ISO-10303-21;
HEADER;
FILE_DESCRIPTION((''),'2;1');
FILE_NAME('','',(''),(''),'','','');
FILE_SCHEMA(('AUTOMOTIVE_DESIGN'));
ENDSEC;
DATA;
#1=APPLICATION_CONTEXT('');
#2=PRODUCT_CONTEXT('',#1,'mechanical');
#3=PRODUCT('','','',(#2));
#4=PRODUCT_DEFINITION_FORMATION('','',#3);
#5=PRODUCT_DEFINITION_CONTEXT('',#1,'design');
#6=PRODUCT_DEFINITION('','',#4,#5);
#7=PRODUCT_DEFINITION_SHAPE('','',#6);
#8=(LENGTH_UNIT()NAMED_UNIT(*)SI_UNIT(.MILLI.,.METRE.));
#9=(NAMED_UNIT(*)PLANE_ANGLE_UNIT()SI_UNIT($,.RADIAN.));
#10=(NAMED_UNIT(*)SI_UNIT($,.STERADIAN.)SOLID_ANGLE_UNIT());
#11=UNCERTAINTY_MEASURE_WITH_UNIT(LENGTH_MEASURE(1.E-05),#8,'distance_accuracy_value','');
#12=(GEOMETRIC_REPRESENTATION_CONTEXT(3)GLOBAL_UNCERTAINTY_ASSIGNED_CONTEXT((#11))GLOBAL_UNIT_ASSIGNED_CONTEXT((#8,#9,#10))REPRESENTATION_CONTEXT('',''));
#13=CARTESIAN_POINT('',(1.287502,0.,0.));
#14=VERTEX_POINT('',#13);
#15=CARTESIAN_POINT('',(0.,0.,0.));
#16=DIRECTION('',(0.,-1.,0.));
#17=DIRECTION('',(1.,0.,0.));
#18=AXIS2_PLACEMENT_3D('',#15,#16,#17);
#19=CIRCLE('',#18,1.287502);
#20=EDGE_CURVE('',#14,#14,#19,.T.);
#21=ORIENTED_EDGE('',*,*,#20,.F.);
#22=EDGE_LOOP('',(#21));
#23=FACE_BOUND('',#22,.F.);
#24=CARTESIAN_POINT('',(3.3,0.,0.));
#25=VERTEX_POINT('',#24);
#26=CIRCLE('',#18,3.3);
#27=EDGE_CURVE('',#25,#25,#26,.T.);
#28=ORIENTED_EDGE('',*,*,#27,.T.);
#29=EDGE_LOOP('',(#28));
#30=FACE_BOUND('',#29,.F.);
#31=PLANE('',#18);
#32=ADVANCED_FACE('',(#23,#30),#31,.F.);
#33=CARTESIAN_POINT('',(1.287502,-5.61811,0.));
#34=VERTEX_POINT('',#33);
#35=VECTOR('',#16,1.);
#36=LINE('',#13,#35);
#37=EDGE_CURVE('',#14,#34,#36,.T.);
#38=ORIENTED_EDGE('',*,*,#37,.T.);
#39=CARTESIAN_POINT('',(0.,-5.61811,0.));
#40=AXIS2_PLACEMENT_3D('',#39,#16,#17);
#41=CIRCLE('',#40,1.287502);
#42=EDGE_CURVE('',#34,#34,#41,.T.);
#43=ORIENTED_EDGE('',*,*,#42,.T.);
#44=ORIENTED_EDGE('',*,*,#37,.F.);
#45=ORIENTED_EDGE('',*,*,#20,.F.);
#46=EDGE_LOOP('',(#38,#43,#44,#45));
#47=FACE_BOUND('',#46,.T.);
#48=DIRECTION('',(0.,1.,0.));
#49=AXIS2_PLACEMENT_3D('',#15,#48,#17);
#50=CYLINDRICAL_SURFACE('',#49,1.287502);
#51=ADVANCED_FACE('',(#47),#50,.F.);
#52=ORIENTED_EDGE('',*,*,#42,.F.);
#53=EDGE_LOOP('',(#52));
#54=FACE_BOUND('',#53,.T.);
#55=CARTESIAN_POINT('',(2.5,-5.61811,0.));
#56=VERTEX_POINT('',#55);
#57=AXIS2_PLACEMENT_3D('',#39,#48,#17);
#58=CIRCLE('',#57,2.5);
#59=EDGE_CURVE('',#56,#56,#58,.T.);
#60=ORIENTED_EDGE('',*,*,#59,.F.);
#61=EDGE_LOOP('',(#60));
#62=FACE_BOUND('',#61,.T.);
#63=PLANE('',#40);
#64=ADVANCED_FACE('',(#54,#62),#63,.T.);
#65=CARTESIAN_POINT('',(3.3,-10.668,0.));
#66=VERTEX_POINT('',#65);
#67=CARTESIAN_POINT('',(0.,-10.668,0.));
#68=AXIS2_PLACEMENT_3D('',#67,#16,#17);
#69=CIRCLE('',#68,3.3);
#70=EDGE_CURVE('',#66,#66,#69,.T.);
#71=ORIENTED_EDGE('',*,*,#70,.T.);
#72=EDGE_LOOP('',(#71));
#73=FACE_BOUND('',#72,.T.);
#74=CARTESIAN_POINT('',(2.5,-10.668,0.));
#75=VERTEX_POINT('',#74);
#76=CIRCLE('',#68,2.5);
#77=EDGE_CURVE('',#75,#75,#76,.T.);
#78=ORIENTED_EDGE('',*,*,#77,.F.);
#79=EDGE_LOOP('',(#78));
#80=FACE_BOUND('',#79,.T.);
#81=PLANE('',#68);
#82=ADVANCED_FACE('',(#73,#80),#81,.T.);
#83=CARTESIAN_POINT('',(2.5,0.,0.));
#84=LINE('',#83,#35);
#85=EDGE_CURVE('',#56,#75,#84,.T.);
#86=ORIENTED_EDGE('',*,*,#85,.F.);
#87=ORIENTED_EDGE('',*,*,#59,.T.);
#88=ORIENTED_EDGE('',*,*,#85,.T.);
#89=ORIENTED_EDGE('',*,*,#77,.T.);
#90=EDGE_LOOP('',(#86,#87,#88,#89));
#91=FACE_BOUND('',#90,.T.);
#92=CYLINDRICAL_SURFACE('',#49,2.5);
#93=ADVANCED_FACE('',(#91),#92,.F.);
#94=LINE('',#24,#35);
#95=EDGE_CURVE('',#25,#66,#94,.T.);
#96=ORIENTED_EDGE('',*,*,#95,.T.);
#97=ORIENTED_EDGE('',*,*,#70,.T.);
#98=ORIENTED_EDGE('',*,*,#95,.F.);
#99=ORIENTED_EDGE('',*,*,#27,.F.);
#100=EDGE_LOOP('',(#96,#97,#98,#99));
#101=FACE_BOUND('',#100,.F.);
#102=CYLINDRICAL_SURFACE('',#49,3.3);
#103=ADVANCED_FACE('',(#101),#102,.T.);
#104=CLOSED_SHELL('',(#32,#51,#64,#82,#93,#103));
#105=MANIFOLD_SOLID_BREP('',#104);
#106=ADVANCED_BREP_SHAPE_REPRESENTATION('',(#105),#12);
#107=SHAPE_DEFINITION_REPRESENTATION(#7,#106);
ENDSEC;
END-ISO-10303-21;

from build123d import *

# Parameters (mm, degrees)
F0_R     = 3.3
F0_R_2   = 2.5
F1_DEPTH = 10.668
F2_R     = 2.516903
F2_R_2   = 1.287502
F3_DEPTH = 5.61811


with BuildPart() as f1:
    # F0 (on Front) → F1 (new body)
    with BuildSketch(Plane.XZ):
        Circle(F0_R)
        Circle(F0_R_2, mode=Mode.SUBTRACT)
    extrude(amount=F1_DEPTH)

    # F2 (on Front) → F3 (join)
    with BuildSketch(Plane.XZ):
        Circle(F2_R)
        Circle(F2_R_2, mode=Mode.SUBTRACT)
    extrude(amount=F3_DEPTH)


solid = f1.part
